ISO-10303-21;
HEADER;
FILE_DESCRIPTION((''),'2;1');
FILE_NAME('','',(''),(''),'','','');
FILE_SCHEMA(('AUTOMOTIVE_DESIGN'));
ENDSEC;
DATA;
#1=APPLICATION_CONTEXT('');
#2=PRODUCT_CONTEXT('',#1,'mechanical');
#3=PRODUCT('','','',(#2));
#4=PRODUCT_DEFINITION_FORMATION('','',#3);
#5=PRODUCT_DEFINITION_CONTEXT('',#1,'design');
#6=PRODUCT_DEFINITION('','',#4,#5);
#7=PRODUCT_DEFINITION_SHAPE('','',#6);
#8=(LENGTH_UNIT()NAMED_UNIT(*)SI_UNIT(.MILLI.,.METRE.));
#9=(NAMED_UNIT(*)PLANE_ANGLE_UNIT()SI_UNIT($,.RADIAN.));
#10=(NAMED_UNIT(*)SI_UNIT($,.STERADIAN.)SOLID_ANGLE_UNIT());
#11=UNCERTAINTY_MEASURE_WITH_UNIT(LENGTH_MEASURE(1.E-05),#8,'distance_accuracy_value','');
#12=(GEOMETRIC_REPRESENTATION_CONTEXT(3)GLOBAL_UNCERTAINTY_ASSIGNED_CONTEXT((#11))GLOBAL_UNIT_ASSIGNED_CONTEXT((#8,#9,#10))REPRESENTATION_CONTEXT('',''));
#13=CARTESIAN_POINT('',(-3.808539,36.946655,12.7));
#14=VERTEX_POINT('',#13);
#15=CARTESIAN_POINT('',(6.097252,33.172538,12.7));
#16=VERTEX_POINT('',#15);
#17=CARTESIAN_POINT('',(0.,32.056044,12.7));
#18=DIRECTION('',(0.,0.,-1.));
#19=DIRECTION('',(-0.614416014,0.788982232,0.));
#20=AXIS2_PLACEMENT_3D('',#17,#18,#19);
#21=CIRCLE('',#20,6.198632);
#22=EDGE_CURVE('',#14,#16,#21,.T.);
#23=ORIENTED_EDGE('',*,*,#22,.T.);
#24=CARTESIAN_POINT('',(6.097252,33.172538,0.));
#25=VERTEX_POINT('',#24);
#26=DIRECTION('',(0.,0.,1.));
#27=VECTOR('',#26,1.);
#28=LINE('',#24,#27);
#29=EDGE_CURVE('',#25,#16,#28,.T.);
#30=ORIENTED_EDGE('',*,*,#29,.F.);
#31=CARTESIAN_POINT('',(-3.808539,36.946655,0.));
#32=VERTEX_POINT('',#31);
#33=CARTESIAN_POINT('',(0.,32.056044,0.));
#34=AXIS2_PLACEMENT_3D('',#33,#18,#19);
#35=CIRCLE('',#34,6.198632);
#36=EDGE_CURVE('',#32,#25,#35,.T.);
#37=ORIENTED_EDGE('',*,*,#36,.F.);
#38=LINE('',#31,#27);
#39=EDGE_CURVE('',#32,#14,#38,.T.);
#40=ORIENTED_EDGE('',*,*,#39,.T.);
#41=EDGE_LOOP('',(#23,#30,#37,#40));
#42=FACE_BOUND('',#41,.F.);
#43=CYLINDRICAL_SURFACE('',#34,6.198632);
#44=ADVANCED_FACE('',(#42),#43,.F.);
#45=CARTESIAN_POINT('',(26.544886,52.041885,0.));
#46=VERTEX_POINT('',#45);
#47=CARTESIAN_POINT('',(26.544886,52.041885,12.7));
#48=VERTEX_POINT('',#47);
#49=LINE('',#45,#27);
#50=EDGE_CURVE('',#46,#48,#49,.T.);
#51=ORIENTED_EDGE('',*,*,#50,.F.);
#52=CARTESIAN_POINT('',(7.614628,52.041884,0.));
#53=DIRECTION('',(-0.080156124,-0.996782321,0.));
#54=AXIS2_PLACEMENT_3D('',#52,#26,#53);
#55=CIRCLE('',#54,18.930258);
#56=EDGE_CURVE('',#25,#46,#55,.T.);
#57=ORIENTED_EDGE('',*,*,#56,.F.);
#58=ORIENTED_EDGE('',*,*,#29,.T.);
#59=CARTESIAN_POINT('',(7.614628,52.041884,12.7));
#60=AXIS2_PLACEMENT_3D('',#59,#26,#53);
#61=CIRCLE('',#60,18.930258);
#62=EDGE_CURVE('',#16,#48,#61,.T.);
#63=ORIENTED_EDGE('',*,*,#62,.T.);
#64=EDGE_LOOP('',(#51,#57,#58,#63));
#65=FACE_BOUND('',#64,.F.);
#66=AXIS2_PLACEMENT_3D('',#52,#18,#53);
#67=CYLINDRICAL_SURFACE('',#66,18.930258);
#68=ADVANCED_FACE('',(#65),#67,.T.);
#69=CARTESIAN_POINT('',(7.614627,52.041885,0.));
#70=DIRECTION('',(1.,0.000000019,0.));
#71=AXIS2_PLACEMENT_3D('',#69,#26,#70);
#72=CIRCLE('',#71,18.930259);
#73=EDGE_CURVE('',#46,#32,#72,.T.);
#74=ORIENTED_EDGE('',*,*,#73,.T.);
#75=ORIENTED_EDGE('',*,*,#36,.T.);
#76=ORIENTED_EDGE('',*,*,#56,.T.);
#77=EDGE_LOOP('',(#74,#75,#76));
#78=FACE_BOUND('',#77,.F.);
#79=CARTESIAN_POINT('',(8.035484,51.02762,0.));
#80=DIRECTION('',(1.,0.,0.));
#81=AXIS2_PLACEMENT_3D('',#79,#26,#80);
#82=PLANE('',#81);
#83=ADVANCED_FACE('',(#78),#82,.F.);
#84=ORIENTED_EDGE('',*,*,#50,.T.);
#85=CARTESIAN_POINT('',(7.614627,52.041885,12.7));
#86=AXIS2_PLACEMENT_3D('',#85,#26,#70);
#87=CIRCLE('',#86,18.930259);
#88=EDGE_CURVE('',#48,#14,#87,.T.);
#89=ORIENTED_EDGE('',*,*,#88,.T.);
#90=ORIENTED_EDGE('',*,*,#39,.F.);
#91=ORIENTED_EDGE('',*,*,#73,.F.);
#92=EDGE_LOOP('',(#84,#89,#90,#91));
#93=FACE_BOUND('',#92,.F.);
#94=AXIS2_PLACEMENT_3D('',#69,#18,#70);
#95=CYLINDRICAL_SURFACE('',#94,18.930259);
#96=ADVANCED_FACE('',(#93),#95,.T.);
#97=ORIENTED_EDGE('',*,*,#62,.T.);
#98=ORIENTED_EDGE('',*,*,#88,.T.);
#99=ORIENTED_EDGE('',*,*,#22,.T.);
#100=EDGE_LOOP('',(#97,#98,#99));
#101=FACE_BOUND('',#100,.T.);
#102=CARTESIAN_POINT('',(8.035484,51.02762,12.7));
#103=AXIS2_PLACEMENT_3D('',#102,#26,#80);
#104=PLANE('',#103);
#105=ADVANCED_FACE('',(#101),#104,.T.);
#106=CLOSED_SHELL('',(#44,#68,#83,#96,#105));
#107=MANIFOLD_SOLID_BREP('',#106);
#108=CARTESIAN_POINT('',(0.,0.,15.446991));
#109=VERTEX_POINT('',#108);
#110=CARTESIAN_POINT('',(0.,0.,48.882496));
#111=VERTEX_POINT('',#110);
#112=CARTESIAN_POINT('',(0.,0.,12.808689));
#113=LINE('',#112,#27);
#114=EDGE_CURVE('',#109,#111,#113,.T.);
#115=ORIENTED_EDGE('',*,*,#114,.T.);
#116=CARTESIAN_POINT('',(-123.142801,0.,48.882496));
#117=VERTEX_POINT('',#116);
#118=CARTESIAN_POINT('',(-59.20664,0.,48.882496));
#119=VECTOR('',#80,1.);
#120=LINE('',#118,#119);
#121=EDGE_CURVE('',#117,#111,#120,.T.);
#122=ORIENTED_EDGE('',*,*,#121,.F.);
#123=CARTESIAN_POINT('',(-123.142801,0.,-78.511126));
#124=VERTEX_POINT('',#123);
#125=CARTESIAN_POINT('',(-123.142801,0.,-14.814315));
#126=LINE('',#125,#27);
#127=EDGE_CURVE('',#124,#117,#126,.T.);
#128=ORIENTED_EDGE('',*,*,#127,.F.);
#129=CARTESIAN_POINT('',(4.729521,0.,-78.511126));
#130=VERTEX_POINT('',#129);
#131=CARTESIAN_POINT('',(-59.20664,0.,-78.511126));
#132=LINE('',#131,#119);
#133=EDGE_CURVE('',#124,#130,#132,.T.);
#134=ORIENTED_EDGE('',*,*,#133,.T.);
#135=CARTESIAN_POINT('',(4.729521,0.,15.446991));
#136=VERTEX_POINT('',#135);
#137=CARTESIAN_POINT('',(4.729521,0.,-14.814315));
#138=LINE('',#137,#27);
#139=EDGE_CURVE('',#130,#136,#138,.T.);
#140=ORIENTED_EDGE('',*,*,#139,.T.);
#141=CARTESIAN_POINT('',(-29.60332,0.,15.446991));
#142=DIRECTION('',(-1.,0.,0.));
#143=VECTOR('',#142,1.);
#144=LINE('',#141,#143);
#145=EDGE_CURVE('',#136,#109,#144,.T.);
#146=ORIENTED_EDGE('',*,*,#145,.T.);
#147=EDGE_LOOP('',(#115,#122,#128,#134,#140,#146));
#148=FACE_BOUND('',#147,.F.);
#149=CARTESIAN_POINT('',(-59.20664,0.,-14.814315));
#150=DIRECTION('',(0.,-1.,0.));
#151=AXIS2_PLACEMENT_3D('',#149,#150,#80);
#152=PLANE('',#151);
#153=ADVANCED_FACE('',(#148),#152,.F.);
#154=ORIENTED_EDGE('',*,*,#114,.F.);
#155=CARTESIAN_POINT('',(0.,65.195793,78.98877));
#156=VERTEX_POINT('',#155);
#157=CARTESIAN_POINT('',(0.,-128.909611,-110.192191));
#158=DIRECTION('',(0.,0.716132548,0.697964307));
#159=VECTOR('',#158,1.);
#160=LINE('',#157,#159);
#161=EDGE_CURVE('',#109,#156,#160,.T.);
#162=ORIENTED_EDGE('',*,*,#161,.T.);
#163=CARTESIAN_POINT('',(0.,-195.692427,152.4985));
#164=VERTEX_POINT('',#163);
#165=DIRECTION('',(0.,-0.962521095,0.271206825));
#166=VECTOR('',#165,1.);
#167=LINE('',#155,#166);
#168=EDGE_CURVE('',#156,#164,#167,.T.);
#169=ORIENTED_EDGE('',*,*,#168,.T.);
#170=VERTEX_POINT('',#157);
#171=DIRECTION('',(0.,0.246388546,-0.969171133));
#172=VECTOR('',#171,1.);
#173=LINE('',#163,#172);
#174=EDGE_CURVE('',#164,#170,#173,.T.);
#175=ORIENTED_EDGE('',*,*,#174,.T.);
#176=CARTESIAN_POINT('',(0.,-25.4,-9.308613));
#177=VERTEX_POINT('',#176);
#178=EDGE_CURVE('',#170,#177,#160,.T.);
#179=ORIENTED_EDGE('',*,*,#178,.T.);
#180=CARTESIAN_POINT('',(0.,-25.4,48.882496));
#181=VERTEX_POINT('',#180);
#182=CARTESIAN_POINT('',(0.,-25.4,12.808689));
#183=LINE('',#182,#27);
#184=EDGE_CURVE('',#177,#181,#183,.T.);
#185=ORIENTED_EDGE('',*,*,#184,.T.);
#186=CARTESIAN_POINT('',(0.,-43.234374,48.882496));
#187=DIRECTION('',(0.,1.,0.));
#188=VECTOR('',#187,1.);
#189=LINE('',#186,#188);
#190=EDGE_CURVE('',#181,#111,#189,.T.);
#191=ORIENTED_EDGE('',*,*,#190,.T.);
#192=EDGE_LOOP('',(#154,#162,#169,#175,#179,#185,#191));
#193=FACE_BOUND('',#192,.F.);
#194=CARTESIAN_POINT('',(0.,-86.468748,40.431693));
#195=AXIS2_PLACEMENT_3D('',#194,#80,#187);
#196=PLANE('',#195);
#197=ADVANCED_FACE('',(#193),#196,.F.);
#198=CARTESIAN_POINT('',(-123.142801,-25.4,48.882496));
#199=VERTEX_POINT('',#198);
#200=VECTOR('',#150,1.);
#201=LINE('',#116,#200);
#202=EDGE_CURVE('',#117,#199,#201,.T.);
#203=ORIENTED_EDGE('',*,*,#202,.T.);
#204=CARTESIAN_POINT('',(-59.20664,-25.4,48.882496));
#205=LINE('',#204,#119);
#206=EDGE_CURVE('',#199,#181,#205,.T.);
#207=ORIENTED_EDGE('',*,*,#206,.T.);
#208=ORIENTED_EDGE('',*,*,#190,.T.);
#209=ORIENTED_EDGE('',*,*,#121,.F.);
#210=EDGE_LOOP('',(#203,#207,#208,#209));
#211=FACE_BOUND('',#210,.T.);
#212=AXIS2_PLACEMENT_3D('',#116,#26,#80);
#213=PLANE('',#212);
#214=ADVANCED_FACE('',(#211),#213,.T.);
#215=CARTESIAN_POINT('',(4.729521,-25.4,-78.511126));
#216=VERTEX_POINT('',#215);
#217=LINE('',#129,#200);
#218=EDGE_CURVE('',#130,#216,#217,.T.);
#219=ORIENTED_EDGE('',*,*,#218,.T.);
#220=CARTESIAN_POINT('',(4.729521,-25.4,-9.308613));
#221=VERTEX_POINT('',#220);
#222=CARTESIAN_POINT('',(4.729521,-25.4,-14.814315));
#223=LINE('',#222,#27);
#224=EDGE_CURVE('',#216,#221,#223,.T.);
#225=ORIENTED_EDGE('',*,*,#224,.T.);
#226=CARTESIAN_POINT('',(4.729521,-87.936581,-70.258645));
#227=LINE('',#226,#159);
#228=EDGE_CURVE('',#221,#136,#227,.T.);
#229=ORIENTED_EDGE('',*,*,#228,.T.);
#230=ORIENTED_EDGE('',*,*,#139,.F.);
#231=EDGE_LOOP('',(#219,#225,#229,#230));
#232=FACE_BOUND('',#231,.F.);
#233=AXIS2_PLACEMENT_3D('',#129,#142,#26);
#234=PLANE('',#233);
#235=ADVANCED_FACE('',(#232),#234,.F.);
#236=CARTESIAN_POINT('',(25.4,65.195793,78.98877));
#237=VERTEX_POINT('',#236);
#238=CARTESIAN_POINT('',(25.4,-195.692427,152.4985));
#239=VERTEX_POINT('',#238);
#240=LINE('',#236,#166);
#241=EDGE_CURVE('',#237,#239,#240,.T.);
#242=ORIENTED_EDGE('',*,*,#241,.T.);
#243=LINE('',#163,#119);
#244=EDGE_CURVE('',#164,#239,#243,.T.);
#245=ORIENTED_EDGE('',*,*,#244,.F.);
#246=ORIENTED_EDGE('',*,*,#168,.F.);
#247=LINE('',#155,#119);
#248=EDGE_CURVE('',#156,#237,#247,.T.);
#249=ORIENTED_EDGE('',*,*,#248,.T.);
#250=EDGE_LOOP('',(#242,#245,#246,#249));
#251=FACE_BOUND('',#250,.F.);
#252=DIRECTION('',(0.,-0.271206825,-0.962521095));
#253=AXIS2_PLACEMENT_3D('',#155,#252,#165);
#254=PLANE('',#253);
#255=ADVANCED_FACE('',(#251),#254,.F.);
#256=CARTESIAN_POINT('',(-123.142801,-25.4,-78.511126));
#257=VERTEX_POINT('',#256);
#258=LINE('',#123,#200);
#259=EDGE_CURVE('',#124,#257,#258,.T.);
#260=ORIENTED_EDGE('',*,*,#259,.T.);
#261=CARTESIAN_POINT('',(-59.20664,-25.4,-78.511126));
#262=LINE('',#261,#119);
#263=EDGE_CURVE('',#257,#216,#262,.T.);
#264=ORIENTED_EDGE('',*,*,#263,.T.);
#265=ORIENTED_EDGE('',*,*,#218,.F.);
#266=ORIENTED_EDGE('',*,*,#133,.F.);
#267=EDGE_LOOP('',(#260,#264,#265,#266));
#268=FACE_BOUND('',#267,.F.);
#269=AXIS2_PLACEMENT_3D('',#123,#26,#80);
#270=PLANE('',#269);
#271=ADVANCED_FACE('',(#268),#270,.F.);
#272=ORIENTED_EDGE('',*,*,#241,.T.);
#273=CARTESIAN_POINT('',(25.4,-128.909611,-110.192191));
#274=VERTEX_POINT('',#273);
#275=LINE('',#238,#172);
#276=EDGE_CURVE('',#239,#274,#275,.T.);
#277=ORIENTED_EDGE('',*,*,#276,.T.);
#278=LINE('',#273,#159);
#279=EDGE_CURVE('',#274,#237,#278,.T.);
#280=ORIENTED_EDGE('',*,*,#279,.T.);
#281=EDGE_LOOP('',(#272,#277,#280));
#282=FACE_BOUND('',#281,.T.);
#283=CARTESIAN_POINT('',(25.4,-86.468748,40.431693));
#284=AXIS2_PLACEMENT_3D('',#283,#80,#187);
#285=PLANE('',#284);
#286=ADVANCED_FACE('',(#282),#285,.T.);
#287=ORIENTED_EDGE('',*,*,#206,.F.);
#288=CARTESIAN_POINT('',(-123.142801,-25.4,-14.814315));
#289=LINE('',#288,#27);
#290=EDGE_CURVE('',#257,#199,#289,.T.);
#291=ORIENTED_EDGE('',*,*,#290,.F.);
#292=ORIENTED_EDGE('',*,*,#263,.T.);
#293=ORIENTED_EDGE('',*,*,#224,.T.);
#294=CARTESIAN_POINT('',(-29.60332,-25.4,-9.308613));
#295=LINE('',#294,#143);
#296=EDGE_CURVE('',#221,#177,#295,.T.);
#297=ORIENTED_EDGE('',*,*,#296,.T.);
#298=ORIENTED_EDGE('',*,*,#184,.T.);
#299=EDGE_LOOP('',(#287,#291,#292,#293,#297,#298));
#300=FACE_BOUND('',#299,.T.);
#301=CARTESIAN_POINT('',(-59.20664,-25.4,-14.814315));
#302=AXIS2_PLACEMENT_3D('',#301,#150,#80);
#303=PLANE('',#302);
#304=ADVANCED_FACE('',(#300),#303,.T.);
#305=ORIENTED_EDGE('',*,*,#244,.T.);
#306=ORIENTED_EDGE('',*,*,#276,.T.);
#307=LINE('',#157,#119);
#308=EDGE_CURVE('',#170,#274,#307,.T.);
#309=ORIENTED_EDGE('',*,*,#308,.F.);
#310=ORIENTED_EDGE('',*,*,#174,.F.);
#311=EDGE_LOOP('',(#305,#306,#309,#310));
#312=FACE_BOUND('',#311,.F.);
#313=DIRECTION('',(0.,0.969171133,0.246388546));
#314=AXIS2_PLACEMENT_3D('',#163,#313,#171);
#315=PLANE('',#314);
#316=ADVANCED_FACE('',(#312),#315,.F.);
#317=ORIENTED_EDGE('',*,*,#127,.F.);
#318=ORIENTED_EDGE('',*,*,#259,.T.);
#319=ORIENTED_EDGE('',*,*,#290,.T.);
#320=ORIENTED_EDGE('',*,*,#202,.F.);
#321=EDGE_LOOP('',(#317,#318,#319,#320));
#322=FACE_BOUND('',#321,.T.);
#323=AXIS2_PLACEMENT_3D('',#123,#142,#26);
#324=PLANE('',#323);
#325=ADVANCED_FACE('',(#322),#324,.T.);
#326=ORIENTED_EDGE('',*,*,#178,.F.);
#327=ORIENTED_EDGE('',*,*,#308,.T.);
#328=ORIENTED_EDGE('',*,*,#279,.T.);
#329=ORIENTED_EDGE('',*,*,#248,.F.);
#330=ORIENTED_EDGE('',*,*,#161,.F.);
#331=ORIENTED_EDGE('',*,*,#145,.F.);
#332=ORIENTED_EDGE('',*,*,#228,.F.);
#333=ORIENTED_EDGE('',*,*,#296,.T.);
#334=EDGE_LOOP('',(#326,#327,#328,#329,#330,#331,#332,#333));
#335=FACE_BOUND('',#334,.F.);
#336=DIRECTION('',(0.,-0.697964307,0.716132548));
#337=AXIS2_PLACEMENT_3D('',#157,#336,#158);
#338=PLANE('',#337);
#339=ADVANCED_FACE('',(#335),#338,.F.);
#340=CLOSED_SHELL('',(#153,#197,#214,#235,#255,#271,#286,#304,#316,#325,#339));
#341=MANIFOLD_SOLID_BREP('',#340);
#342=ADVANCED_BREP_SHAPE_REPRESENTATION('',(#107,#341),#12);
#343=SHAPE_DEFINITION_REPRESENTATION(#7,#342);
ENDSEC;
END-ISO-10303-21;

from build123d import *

# Parameters (mm, degrees)
F0_W     = 127.872322
F0_H     = 127.393622
F1_DEPTH = 25.4
F3_DEPTH = 12.7
F5_DEPTH = 25.4


with BuildPart() as f1:
    # F0 (on Front) → F1 (new body)
    with BuildSketch(Plane.XZ):
        with Locations((-59.20664, -14.814315)):
            Rectangle(F0_W, F0_H)
    extrude(amount=F1_DEPTH)

    # F4 (on Right) → F5 (join)
    with BuildSketch(Plane.YZ):
        Polygon((-128.909611, -110.192191), (65.195793, 78.98877), (-195.692427, 152.4985), align=None)
    extrude(amount=F5_DEPTH)


with BuildPart() as f3:
    # F2 (on Top) → F3 (new body)
    with BuildSketch(Plane.XY):
        with BuildLine():
            ThreePointArc((-3.808539, 36.946655), (2.206931, 37.848496), (6.097252, 33.172538))
            ThreePointArc((6.097252, 33.172538), (20.452664, 38.130037), (26.544886, 52.041885))
            ThreePointArc((26.544886, 52.041885), (-0.814821, 68.991784), (-3.808539, 36.946655))
        make_face()
    extrude(amount=F3_DEPTH)


solid = Compound([f1.part, f3.part])
